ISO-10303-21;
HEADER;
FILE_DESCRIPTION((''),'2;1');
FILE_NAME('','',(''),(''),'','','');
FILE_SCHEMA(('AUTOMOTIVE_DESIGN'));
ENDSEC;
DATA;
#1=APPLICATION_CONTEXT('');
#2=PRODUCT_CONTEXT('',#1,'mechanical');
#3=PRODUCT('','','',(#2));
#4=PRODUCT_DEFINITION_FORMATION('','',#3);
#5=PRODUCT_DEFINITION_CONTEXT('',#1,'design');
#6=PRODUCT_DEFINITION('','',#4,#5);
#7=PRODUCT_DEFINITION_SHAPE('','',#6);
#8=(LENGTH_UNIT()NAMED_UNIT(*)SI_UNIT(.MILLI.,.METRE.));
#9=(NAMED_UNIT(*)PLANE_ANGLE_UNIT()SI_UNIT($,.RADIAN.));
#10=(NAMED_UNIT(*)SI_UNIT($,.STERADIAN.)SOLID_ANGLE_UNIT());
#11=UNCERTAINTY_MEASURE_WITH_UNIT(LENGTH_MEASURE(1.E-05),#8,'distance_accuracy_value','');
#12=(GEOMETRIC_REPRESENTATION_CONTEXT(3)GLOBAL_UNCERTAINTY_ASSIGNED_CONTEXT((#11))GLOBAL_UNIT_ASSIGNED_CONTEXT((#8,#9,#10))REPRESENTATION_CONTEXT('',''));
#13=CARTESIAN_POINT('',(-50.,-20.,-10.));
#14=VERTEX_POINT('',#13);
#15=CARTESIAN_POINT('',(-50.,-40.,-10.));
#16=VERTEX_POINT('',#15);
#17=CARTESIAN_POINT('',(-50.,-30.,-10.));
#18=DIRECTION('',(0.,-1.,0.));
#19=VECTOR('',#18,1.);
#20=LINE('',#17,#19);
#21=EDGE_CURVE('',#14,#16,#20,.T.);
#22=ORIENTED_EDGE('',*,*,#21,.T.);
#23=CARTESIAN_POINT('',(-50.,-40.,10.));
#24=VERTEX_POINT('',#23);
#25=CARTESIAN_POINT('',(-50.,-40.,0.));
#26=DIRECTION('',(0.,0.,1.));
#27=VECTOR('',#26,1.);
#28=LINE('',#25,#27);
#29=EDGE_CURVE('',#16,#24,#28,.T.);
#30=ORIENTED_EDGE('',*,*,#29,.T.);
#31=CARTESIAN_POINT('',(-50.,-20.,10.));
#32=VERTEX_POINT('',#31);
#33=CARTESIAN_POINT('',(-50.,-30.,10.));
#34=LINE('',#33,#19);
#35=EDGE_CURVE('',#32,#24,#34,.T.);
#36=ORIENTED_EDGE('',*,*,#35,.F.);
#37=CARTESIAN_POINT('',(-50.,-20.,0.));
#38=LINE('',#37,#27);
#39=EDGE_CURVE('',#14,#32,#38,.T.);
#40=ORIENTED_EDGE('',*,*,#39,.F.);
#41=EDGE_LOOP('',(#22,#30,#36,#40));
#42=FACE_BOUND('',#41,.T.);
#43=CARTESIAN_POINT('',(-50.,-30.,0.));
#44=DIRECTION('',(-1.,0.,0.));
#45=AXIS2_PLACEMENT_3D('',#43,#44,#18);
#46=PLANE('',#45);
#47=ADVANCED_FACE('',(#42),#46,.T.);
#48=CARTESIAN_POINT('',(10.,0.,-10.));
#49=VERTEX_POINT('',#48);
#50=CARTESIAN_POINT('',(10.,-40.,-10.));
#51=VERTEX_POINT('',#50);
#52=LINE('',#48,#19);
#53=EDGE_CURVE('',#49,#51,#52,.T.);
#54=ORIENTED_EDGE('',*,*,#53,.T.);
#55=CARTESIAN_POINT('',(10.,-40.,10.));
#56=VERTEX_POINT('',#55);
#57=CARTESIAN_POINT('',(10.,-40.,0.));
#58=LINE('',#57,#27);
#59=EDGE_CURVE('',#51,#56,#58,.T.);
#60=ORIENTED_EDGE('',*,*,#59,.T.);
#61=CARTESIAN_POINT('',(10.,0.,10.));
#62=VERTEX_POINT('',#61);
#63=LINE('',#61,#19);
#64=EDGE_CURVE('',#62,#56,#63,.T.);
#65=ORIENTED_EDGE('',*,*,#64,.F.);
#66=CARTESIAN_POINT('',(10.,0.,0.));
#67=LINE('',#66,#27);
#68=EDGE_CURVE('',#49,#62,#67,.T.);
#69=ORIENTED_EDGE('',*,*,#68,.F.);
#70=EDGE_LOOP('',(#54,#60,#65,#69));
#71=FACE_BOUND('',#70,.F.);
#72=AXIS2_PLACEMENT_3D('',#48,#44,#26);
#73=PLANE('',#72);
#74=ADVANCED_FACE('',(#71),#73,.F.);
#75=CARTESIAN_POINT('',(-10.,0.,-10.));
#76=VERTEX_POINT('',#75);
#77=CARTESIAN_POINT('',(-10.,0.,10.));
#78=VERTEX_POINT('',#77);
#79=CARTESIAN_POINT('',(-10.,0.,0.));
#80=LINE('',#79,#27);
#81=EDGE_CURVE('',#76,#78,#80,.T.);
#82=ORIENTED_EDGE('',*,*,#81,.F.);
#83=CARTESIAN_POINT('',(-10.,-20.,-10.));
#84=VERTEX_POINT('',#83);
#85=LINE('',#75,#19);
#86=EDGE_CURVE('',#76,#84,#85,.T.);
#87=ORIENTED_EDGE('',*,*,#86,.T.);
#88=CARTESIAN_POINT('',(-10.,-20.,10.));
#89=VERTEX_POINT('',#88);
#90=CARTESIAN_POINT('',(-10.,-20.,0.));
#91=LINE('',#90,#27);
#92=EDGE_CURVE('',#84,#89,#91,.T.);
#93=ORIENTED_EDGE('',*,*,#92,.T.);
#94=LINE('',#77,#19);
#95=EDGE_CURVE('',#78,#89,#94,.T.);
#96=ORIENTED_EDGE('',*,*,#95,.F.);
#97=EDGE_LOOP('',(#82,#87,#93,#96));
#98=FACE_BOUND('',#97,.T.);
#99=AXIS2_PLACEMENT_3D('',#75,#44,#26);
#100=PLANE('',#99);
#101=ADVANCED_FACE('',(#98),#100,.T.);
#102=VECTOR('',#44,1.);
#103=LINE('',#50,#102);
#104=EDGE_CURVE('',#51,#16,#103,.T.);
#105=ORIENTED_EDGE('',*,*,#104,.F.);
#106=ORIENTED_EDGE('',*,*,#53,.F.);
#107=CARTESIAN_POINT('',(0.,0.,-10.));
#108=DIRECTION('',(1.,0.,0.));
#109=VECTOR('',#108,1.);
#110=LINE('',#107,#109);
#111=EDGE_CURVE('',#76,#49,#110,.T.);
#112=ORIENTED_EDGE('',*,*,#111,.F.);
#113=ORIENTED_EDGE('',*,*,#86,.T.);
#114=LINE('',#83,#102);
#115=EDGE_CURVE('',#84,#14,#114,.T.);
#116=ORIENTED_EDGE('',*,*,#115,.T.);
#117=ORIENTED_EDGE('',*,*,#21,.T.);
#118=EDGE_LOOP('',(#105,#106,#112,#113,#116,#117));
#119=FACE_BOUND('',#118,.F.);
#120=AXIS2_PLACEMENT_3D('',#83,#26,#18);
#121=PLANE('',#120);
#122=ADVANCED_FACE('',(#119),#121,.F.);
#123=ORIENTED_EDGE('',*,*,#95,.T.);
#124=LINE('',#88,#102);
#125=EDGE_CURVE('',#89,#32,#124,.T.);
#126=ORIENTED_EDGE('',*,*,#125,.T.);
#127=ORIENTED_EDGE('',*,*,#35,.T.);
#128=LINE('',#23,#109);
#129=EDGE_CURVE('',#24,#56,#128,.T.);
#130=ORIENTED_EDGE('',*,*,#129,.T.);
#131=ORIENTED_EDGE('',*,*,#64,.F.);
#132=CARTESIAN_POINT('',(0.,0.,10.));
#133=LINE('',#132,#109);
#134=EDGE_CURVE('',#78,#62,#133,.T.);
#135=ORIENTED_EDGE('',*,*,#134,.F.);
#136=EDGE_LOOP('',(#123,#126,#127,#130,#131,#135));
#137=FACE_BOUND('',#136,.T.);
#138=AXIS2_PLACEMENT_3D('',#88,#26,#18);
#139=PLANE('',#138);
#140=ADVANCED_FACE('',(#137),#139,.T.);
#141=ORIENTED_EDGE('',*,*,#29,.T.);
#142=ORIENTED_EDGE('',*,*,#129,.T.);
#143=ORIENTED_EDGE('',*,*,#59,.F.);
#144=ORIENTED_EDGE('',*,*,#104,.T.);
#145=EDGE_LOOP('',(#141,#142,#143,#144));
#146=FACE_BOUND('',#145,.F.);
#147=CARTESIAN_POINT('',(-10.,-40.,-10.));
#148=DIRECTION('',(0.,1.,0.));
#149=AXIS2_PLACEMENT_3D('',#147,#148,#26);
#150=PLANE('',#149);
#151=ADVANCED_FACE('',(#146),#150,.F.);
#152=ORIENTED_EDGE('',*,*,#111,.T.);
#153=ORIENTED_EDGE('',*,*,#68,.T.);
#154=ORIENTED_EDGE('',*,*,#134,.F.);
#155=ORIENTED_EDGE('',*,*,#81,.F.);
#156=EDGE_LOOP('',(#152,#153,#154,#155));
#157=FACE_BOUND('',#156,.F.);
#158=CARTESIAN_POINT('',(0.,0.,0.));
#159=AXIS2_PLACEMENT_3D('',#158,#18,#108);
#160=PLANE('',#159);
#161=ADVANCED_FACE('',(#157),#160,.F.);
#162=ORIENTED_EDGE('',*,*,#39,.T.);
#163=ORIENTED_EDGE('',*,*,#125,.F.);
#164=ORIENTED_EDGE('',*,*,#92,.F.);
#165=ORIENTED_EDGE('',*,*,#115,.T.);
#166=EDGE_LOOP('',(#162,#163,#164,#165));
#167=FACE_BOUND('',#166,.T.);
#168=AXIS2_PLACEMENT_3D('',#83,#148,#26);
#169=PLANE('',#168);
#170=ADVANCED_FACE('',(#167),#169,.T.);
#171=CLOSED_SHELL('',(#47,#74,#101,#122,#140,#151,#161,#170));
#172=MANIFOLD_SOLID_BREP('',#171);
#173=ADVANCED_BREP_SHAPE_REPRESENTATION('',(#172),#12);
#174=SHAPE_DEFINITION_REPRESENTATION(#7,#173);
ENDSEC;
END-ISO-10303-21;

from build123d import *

# Parameters (mm, degrees)
F0_W     = 20
F0_H     = 20
F1_DEPTH = 40
F2_W     = 20
F2_H     = 20
F3_DEPTH = 40


with BuildPart() as f1:
    # F0 (on Front) → F1 (new body)
    with BuildSketch(Plane.XZ):
        Rectangle(F0_W, F0_H)
    extrude(amount=F1_DEPTH)

    # F2 (on face) → F3 (join)
    with BuildSketch(Plane(origin=(-10, 0, 0), x_dir=(0, -1, 0), z_dir=(-1, 0, 0))):
        with Locations((30, 0)):
            Rectangle(F2_W, F2_H)
    extrude(amount=F3_DEPTH)


solid = f1.part
